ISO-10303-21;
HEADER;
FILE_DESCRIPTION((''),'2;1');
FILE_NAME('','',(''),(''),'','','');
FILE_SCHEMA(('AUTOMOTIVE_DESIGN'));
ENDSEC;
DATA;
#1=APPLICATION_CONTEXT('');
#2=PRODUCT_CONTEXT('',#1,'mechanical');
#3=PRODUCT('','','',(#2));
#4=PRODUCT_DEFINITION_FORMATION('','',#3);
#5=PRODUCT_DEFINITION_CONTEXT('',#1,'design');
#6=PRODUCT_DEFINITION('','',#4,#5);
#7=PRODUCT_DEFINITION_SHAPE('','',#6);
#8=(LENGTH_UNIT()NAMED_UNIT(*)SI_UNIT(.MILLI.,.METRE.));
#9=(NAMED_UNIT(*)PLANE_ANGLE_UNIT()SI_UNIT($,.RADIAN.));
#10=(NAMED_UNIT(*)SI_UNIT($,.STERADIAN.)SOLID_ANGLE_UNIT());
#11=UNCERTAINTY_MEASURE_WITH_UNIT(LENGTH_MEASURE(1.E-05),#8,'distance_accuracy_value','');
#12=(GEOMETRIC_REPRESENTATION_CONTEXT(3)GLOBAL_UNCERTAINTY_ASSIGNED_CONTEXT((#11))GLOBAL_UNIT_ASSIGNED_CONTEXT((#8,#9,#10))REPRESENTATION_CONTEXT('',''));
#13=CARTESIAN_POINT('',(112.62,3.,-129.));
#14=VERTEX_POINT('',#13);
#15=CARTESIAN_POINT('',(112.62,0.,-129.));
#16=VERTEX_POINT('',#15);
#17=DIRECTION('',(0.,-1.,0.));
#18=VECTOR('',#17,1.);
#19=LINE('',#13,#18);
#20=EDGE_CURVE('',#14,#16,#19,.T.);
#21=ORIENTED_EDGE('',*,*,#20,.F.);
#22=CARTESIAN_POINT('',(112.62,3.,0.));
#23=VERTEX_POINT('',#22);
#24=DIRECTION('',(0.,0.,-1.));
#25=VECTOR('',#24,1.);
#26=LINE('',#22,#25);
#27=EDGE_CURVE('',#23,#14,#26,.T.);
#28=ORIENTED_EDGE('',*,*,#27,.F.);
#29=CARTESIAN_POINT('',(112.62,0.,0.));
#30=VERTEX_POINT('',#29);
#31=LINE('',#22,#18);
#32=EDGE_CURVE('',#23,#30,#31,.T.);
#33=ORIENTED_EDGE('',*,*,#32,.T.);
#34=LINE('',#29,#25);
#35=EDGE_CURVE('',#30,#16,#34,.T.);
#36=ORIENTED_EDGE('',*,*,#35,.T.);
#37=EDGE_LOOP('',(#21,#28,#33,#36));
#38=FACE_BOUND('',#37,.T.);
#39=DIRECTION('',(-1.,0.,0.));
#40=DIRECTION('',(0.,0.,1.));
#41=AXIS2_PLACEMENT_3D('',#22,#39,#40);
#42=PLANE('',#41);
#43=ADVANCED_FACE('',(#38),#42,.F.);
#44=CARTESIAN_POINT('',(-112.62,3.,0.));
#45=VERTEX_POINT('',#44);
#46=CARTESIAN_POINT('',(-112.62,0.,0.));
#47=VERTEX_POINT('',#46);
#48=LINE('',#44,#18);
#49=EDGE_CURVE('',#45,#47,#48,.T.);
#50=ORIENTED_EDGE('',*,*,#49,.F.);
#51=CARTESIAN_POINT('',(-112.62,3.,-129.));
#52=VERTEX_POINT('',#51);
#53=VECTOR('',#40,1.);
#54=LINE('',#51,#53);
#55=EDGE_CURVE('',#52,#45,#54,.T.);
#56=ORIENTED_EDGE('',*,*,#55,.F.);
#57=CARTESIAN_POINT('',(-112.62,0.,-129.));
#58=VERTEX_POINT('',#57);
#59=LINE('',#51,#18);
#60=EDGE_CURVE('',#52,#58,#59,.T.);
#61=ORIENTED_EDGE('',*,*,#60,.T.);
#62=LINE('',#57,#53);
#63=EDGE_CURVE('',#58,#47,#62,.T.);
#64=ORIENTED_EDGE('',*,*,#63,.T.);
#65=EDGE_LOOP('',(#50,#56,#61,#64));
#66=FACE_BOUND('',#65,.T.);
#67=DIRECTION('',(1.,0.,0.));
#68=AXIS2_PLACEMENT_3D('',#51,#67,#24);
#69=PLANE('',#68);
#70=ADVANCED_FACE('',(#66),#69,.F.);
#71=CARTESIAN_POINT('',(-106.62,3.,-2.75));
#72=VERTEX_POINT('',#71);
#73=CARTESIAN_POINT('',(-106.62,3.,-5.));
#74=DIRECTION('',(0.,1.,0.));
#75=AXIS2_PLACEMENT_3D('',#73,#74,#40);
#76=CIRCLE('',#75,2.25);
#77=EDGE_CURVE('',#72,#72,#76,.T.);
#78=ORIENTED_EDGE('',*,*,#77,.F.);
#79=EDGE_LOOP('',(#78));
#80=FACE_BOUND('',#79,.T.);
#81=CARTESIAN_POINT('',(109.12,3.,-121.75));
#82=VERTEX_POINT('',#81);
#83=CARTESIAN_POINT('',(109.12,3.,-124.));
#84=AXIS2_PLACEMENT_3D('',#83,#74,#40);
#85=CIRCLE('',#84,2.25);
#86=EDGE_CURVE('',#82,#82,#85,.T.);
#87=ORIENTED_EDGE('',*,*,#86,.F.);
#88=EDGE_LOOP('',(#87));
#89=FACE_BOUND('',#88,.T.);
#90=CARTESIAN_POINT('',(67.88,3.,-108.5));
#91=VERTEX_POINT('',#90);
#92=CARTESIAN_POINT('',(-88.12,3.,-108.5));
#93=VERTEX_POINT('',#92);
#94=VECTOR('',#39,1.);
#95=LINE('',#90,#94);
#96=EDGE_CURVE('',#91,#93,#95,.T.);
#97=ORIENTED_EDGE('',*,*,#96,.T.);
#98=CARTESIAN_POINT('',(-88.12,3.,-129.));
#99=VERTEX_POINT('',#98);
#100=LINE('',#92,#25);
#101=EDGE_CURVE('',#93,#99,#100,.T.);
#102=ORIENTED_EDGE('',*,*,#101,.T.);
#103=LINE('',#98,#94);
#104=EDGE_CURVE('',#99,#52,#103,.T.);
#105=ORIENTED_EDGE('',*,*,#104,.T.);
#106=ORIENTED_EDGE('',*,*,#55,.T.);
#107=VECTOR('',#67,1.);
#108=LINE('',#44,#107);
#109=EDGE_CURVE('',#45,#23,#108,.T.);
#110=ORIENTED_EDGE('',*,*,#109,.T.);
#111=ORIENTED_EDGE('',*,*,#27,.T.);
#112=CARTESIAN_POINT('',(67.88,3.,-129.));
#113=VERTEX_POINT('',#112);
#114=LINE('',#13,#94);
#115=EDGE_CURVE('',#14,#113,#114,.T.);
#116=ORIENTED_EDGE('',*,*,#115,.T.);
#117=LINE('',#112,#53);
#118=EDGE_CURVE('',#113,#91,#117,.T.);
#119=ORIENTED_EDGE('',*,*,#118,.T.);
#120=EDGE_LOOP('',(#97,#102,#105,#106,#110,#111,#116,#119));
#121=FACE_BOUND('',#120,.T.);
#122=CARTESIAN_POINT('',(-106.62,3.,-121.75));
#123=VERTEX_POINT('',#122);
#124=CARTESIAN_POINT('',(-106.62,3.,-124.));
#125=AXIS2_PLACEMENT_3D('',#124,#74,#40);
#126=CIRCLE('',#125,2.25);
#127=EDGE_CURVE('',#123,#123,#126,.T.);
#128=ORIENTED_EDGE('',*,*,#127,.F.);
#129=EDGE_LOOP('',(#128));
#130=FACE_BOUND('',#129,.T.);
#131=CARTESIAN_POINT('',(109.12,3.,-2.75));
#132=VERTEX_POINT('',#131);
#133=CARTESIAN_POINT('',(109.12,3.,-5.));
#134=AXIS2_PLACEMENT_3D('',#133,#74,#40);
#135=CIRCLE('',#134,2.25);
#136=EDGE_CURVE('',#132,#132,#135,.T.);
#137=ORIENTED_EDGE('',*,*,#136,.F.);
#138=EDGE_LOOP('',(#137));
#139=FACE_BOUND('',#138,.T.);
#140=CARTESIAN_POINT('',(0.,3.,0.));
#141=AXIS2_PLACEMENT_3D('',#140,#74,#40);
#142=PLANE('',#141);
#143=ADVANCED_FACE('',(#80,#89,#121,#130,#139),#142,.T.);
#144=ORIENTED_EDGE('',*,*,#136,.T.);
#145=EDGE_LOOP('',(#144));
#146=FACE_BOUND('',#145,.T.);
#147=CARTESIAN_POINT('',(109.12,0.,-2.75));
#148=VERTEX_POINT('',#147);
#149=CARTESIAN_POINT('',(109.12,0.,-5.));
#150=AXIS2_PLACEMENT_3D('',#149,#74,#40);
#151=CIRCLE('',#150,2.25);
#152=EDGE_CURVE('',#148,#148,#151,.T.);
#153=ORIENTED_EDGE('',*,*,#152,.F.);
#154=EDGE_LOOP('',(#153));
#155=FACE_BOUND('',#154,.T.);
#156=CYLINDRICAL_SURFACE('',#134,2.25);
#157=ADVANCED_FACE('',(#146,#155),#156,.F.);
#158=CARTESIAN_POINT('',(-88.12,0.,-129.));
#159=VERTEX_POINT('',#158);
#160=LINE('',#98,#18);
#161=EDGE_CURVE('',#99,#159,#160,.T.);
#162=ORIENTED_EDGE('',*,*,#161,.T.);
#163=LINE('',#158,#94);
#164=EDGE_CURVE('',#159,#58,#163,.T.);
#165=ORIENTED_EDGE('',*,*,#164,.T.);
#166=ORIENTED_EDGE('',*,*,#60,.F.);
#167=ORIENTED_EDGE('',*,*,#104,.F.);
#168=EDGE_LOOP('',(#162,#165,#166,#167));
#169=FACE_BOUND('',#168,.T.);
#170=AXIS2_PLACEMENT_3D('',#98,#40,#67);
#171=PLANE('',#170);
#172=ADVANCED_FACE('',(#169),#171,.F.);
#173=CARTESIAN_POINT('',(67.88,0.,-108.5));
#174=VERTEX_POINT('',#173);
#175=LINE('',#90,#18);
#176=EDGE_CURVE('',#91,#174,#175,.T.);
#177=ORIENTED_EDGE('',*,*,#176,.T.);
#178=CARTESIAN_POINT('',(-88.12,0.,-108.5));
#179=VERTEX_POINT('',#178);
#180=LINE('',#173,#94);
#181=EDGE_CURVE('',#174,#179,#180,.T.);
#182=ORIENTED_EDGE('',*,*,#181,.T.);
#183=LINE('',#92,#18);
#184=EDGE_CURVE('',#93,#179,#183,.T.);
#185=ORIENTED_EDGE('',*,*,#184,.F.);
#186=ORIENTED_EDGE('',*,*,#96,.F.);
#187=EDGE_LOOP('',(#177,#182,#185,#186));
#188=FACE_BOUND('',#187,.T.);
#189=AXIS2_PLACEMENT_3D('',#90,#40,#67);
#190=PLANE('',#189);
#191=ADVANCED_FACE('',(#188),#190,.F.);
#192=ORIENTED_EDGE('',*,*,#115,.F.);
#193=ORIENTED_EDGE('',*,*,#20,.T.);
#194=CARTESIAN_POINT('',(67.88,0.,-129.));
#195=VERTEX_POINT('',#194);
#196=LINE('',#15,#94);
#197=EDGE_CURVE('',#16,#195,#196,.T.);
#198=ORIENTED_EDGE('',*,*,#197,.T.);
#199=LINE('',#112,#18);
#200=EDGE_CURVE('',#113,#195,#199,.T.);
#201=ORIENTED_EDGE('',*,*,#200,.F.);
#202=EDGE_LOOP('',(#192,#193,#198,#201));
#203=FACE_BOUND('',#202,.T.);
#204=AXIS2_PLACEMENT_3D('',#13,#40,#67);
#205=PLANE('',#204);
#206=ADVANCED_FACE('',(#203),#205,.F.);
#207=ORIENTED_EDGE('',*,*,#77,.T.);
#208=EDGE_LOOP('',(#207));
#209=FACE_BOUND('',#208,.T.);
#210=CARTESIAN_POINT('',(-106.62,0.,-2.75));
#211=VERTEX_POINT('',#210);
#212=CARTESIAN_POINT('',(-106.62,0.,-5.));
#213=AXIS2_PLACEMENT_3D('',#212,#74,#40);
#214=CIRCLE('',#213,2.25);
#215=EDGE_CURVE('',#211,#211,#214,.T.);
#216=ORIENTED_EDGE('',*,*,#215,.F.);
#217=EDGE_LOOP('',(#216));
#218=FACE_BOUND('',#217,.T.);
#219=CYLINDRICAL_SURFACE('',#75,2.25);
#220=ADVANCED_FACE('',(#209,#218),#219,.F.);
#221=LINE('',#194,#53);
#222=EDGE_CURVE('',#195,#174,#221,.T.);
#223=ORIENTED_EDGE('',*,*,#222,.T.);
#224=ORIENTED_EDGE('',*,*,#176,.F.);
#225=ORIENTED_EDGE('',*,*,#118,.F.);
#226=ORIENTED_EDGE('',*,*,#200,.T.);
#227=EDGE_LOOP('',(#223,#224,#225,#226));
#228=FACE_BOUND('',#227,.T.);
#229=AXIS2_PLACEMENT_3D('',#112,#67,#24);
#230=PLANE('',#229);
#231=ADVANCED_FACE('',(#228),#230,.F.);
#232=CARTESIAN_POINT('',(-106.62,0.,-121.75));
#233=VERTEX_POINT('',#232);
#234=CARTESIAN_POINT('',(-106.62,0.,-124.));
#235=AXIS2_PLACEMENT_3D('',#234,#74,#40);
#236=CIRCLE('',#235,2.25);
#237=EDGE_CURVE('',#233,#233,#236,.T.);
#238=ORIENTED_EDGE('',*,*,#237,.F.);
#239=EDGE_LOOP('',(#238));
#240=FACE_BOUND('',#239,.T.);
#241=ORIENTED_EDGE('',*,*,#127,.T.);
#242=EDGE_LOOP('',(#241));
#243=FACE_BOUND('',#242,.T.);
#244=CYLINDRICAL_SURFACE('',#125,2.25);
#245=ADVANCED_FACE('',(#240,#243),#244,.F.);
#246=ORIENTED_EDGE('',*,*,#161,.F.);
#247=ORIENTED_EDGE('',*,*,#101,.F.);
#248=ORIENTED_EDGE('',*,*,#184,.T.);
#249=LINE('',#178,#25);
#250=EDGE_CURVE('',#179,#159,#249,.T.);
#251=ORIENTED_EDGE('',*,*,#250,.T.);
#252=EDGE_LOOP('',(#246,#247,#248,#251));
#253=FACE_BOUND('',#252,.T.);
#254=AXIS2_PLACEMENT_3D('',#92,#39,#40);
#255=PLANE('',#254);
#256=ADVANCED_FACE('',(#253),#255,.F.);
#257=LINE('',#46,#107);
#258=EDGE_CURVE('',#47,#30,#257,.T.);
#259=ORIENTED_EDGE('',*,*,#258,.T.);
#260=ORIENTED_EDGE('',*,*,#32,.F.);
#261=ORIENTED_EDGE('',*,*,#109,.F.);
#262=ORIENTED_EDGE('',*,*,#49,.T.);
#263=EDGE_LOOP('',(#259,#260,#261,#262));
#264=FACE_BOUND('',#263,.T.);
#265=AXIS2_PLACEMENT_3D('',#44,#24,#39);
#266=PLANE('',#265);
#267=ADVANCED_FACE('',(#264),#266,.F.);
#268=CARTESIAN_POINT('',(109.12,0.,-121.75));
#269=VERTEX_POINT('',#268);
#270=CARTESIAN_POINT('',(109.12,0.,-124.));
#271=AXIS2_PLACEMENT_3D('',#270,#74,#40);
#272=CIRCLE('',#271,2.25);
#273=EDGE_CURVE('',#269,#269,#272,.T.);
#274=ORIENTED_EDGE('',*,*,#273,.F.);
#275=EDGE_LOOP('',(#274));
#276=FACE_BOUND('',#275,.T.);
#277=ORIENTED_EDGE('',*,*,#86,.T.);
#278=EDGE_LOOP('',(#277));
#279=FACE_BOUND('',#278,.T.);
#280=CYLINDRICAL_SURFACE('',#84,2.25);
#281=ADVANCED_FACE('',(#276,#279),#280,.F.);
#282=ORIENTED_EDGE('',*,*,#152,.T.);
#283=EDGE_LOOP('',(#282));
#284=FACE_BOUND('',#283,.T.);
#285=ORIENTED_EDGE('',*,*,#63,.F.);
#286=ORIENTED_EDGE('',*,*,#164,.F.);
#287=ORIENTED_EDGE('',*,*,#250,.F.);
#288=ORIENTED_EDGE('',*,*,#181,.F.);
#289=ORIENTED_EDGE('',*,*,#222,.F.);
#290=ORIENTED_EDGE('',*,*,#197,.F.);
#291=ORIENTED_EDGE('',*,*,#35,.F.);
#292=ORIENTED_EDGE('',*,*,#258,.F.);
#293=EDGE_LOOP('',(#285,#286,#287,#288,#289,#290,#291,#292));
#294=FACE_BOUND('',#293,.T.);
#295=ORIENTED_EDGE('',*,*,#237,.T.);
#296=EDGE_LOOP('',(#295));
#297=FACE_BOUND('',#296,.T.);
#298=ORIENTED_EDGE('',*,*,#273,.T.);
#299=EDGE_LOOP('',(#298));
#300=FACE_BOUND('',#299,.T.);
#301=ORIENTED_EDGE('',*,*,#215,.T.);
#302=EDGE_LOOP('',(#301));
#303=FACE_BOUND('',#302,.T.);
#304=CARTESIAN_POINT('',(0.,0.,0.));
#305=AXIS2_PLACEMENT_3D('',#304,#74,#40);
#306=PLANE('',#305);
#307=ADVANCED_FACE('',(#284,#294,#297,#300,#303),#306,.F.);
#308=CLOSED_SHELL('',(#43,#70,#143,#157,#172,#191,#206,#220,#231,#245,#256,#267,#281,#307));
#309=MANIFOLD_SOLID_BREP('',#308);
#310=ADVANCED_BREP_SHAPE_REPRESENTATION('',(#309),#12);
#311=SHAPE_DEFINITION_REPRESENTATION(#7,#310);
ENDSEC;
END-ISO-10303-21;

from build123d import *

# Parameters (mm, degrees)
BOSS_EXTRUDE1_DEPTH      = 3
M4_CLEARANCE_HOLE1_D     = 4.5
M4_CLEARANCE_HOLE1_DEPTH = 12
M4_CLEARANCE_HOLE1_TIP   = 1.351936393


with BuildPart() as part:
    # Sketch1 → Boss-Extrude1 (new body)
    with BuildSketch(Plane(origin=(0, 0, 0), x_dir=(1, 0, 0), z_dir=(0, 1, 0))):
        Polygon((-112.62, 129), (-112.62, 0), (112.62, 0), (112.62, 129), (67.88, 129), (67.88, 108.5), (-88.12, 108.5), (-88.12, 129), align=None)
    extrude(amount=BOSS_EXTRUDE1_DEPTH)

    # M4 Clearance Hole1
    with Locations(Plane(origin=(0, 3, 0), x_dir=(1, 0, 0), z_dir=(0, 1, 0))):
        with Locations((-106.62, 5), (-106.62, 124), (109.12, 124), (109.12, 5)):
            Hole(M4_CLEARANCE_HOLE1_D / 2, depth=M4_CLEARANCE_HOLE1_DEPTH)
            with Locations((0, 0, -(M4_CLEARANCE_HOLE1_DEPTH + M4_CLEARANCE_HOLE1_TIP / 2))):  # 118° drill point
                Cone(0, M4_CLEARANCE_HOLE1_D / 2, M4_CLEARANCE_HOLE1_TIP, mode=Mode.SUBTRACT)


solid = part.part
